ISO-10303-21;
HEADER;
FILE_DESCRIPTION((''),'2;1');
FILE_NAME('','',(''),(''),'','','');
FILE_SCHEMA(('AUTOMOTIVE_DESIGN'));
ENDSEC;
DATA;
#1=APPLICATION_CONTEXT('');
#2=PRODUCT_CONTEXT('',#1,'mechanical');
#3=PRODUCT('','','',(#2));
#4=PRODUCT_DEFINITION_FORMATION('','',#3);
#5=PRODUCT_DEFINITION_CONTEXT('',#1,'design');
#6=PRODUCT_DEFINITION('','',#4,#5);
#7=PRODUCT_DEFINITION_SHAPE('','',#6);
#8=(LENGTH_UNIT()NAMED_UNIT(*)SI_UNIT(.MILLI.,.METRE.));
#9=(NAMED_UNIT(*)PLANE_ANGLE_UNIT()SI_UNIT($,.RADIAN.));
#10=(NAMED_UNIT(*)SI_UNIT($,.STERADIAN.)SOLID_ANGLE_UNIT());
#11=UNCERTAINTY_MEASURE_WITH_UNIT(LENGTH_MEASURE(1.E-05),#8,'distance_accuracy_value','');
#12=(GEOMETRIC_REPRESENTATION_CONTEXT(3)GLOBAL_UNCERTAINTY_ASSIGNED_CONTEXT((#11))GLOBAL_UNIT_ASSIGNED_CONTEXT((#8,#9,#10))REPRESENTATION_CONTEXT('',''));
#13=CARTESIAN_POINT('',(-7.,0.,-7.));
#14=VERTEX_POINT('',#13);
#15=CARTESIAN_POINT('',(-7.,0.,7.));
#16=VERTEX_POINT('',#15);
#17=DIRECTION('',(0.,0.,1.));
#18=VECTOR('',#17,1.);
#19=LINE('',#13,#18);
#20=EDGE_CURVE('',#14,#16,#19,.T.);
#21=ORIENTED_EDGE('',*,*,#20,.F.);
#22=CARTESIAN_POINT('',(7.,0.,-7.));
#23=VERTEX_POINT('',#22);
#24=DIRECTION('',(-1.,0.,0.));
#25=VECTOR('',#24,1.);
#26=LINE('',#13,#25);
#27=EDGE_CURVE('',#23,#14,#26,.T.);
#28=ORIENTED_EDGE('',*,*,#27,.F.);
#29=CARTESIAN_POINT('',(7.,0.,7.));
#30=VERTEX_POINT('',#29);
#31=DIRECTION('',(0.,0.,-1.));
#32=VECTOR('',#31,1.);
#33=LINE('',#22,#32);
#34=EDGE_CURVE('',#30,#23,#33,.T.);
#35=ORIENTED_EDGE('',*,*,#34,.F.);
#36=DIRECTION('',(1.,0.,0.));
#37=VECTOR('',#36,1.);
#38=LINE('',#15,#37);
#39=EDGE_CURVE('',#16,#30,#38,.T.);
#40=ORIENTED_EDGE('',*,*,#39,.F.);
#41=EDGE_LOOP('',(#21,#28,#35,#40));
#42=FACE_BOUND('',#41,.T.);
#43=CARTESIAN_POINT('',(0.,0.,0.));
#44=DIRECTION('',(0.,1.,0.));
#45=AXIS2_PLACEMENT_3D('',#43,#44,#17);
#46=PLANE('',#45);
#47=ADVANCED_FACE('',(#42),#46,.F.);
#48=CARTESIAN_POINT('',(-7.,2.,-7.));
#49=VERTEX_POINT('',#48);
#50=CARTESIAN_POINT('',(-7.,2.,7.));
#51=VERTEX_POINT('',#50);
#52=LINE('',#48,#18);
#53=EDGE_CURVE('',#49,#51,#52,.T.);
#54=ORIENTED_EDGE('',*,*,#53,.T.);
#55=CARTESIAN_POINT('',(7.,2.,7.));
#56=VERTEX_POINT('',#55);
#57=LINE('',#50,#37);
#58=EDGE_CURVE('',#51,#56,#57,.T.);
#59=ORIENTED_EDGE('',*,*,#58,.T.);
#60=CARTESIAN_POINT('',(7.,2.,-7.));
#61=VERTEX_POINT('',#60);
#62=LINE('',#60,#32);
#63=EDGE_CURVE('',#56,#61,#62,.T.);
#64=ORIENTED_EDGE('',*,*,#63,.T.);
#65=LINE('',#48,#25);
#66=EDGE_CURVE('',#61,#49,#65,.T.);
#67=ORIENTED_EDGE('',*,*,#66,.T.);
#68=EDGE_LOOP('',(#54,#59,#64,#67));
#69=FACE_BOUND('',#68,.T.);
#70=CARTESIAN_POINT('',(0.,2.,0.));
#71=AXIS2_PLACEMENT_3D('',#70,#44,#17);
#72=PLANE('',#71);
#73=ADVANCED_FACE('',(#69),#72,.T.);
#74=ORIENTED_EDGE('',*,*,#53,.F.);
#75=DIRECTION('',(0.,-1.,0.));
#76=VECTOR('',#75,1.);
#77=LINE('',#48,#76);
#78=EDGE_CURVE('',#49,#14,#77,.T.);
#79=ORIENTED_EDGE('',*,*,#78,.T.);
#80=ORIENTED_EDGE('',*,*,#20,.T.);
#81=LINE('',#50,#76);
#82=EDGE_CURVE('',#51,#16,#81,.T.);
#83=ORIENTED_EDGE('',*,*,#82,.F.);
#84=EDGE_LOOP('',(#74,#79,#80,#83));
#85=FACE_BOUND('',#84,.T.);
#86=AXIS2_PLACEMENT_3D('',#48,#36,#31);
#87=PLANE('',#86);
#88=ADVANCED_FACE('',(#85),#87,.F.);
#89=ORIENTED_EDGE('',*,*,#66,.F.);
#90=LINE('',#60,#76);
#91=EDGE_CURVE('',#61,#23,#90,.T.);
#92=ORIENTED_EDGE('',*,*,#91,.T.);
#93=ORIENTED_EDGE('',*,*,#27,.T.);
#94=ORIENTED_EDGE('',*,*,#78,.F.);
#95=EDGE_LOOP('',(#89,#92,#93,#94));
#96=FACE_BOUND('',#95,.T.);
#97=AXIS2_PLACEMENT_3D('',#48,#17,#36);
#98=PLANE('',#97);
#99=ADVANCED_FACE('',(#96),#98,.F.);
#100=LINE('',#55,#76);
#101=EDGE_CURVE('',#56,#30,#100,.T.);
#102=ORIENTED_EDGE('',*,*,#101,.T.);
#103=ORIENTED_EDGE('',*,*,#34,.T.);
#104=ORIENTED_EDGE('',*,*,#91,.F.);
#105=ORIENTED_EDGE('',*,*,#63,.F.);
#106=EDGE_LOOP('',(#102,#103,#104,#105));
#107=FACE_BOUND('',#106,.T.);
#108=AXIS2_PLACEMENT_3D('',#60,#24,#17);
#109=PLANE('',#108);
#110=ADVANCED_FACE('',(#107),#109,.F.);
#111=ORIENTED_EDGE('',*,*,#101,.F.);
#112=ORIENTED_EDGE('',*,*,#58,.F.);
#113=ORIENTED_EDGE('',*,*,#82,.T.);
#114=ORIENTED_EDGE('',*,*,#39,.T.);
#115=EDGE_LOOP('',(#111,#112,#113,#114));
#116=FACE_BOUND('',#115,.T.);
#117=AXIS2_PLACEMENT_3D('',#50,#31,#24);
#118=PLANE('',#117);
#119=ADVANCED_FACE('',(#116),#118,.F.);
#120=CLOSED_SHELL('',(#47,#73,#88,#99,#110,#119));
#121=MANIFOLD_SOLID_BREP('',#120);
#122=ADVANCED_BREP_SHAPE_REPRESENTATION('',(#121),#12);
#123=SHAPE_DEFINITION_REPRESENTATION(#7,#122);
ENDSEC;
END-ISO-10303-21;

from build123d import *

# Parameters (mm, degrees)
SKETCH_1_W      = 14
SKETCH_1_H      = 14
EXTRUDE_1_DEPTH = 2


with BuildPart() as part:
    # 草图1 → 凸台-拉伸1 (new body)
    with BuildSketch(Plane(origin=(0, 0, 0), x_dir=(1, 0, 0), z_dir=(0, 1, 0))):
        Rectangle(SKETCH_1_W, SKETCH_1_H)
    extrude(amount=EXTRUDE_1_DEPTH)


solid = part.part
